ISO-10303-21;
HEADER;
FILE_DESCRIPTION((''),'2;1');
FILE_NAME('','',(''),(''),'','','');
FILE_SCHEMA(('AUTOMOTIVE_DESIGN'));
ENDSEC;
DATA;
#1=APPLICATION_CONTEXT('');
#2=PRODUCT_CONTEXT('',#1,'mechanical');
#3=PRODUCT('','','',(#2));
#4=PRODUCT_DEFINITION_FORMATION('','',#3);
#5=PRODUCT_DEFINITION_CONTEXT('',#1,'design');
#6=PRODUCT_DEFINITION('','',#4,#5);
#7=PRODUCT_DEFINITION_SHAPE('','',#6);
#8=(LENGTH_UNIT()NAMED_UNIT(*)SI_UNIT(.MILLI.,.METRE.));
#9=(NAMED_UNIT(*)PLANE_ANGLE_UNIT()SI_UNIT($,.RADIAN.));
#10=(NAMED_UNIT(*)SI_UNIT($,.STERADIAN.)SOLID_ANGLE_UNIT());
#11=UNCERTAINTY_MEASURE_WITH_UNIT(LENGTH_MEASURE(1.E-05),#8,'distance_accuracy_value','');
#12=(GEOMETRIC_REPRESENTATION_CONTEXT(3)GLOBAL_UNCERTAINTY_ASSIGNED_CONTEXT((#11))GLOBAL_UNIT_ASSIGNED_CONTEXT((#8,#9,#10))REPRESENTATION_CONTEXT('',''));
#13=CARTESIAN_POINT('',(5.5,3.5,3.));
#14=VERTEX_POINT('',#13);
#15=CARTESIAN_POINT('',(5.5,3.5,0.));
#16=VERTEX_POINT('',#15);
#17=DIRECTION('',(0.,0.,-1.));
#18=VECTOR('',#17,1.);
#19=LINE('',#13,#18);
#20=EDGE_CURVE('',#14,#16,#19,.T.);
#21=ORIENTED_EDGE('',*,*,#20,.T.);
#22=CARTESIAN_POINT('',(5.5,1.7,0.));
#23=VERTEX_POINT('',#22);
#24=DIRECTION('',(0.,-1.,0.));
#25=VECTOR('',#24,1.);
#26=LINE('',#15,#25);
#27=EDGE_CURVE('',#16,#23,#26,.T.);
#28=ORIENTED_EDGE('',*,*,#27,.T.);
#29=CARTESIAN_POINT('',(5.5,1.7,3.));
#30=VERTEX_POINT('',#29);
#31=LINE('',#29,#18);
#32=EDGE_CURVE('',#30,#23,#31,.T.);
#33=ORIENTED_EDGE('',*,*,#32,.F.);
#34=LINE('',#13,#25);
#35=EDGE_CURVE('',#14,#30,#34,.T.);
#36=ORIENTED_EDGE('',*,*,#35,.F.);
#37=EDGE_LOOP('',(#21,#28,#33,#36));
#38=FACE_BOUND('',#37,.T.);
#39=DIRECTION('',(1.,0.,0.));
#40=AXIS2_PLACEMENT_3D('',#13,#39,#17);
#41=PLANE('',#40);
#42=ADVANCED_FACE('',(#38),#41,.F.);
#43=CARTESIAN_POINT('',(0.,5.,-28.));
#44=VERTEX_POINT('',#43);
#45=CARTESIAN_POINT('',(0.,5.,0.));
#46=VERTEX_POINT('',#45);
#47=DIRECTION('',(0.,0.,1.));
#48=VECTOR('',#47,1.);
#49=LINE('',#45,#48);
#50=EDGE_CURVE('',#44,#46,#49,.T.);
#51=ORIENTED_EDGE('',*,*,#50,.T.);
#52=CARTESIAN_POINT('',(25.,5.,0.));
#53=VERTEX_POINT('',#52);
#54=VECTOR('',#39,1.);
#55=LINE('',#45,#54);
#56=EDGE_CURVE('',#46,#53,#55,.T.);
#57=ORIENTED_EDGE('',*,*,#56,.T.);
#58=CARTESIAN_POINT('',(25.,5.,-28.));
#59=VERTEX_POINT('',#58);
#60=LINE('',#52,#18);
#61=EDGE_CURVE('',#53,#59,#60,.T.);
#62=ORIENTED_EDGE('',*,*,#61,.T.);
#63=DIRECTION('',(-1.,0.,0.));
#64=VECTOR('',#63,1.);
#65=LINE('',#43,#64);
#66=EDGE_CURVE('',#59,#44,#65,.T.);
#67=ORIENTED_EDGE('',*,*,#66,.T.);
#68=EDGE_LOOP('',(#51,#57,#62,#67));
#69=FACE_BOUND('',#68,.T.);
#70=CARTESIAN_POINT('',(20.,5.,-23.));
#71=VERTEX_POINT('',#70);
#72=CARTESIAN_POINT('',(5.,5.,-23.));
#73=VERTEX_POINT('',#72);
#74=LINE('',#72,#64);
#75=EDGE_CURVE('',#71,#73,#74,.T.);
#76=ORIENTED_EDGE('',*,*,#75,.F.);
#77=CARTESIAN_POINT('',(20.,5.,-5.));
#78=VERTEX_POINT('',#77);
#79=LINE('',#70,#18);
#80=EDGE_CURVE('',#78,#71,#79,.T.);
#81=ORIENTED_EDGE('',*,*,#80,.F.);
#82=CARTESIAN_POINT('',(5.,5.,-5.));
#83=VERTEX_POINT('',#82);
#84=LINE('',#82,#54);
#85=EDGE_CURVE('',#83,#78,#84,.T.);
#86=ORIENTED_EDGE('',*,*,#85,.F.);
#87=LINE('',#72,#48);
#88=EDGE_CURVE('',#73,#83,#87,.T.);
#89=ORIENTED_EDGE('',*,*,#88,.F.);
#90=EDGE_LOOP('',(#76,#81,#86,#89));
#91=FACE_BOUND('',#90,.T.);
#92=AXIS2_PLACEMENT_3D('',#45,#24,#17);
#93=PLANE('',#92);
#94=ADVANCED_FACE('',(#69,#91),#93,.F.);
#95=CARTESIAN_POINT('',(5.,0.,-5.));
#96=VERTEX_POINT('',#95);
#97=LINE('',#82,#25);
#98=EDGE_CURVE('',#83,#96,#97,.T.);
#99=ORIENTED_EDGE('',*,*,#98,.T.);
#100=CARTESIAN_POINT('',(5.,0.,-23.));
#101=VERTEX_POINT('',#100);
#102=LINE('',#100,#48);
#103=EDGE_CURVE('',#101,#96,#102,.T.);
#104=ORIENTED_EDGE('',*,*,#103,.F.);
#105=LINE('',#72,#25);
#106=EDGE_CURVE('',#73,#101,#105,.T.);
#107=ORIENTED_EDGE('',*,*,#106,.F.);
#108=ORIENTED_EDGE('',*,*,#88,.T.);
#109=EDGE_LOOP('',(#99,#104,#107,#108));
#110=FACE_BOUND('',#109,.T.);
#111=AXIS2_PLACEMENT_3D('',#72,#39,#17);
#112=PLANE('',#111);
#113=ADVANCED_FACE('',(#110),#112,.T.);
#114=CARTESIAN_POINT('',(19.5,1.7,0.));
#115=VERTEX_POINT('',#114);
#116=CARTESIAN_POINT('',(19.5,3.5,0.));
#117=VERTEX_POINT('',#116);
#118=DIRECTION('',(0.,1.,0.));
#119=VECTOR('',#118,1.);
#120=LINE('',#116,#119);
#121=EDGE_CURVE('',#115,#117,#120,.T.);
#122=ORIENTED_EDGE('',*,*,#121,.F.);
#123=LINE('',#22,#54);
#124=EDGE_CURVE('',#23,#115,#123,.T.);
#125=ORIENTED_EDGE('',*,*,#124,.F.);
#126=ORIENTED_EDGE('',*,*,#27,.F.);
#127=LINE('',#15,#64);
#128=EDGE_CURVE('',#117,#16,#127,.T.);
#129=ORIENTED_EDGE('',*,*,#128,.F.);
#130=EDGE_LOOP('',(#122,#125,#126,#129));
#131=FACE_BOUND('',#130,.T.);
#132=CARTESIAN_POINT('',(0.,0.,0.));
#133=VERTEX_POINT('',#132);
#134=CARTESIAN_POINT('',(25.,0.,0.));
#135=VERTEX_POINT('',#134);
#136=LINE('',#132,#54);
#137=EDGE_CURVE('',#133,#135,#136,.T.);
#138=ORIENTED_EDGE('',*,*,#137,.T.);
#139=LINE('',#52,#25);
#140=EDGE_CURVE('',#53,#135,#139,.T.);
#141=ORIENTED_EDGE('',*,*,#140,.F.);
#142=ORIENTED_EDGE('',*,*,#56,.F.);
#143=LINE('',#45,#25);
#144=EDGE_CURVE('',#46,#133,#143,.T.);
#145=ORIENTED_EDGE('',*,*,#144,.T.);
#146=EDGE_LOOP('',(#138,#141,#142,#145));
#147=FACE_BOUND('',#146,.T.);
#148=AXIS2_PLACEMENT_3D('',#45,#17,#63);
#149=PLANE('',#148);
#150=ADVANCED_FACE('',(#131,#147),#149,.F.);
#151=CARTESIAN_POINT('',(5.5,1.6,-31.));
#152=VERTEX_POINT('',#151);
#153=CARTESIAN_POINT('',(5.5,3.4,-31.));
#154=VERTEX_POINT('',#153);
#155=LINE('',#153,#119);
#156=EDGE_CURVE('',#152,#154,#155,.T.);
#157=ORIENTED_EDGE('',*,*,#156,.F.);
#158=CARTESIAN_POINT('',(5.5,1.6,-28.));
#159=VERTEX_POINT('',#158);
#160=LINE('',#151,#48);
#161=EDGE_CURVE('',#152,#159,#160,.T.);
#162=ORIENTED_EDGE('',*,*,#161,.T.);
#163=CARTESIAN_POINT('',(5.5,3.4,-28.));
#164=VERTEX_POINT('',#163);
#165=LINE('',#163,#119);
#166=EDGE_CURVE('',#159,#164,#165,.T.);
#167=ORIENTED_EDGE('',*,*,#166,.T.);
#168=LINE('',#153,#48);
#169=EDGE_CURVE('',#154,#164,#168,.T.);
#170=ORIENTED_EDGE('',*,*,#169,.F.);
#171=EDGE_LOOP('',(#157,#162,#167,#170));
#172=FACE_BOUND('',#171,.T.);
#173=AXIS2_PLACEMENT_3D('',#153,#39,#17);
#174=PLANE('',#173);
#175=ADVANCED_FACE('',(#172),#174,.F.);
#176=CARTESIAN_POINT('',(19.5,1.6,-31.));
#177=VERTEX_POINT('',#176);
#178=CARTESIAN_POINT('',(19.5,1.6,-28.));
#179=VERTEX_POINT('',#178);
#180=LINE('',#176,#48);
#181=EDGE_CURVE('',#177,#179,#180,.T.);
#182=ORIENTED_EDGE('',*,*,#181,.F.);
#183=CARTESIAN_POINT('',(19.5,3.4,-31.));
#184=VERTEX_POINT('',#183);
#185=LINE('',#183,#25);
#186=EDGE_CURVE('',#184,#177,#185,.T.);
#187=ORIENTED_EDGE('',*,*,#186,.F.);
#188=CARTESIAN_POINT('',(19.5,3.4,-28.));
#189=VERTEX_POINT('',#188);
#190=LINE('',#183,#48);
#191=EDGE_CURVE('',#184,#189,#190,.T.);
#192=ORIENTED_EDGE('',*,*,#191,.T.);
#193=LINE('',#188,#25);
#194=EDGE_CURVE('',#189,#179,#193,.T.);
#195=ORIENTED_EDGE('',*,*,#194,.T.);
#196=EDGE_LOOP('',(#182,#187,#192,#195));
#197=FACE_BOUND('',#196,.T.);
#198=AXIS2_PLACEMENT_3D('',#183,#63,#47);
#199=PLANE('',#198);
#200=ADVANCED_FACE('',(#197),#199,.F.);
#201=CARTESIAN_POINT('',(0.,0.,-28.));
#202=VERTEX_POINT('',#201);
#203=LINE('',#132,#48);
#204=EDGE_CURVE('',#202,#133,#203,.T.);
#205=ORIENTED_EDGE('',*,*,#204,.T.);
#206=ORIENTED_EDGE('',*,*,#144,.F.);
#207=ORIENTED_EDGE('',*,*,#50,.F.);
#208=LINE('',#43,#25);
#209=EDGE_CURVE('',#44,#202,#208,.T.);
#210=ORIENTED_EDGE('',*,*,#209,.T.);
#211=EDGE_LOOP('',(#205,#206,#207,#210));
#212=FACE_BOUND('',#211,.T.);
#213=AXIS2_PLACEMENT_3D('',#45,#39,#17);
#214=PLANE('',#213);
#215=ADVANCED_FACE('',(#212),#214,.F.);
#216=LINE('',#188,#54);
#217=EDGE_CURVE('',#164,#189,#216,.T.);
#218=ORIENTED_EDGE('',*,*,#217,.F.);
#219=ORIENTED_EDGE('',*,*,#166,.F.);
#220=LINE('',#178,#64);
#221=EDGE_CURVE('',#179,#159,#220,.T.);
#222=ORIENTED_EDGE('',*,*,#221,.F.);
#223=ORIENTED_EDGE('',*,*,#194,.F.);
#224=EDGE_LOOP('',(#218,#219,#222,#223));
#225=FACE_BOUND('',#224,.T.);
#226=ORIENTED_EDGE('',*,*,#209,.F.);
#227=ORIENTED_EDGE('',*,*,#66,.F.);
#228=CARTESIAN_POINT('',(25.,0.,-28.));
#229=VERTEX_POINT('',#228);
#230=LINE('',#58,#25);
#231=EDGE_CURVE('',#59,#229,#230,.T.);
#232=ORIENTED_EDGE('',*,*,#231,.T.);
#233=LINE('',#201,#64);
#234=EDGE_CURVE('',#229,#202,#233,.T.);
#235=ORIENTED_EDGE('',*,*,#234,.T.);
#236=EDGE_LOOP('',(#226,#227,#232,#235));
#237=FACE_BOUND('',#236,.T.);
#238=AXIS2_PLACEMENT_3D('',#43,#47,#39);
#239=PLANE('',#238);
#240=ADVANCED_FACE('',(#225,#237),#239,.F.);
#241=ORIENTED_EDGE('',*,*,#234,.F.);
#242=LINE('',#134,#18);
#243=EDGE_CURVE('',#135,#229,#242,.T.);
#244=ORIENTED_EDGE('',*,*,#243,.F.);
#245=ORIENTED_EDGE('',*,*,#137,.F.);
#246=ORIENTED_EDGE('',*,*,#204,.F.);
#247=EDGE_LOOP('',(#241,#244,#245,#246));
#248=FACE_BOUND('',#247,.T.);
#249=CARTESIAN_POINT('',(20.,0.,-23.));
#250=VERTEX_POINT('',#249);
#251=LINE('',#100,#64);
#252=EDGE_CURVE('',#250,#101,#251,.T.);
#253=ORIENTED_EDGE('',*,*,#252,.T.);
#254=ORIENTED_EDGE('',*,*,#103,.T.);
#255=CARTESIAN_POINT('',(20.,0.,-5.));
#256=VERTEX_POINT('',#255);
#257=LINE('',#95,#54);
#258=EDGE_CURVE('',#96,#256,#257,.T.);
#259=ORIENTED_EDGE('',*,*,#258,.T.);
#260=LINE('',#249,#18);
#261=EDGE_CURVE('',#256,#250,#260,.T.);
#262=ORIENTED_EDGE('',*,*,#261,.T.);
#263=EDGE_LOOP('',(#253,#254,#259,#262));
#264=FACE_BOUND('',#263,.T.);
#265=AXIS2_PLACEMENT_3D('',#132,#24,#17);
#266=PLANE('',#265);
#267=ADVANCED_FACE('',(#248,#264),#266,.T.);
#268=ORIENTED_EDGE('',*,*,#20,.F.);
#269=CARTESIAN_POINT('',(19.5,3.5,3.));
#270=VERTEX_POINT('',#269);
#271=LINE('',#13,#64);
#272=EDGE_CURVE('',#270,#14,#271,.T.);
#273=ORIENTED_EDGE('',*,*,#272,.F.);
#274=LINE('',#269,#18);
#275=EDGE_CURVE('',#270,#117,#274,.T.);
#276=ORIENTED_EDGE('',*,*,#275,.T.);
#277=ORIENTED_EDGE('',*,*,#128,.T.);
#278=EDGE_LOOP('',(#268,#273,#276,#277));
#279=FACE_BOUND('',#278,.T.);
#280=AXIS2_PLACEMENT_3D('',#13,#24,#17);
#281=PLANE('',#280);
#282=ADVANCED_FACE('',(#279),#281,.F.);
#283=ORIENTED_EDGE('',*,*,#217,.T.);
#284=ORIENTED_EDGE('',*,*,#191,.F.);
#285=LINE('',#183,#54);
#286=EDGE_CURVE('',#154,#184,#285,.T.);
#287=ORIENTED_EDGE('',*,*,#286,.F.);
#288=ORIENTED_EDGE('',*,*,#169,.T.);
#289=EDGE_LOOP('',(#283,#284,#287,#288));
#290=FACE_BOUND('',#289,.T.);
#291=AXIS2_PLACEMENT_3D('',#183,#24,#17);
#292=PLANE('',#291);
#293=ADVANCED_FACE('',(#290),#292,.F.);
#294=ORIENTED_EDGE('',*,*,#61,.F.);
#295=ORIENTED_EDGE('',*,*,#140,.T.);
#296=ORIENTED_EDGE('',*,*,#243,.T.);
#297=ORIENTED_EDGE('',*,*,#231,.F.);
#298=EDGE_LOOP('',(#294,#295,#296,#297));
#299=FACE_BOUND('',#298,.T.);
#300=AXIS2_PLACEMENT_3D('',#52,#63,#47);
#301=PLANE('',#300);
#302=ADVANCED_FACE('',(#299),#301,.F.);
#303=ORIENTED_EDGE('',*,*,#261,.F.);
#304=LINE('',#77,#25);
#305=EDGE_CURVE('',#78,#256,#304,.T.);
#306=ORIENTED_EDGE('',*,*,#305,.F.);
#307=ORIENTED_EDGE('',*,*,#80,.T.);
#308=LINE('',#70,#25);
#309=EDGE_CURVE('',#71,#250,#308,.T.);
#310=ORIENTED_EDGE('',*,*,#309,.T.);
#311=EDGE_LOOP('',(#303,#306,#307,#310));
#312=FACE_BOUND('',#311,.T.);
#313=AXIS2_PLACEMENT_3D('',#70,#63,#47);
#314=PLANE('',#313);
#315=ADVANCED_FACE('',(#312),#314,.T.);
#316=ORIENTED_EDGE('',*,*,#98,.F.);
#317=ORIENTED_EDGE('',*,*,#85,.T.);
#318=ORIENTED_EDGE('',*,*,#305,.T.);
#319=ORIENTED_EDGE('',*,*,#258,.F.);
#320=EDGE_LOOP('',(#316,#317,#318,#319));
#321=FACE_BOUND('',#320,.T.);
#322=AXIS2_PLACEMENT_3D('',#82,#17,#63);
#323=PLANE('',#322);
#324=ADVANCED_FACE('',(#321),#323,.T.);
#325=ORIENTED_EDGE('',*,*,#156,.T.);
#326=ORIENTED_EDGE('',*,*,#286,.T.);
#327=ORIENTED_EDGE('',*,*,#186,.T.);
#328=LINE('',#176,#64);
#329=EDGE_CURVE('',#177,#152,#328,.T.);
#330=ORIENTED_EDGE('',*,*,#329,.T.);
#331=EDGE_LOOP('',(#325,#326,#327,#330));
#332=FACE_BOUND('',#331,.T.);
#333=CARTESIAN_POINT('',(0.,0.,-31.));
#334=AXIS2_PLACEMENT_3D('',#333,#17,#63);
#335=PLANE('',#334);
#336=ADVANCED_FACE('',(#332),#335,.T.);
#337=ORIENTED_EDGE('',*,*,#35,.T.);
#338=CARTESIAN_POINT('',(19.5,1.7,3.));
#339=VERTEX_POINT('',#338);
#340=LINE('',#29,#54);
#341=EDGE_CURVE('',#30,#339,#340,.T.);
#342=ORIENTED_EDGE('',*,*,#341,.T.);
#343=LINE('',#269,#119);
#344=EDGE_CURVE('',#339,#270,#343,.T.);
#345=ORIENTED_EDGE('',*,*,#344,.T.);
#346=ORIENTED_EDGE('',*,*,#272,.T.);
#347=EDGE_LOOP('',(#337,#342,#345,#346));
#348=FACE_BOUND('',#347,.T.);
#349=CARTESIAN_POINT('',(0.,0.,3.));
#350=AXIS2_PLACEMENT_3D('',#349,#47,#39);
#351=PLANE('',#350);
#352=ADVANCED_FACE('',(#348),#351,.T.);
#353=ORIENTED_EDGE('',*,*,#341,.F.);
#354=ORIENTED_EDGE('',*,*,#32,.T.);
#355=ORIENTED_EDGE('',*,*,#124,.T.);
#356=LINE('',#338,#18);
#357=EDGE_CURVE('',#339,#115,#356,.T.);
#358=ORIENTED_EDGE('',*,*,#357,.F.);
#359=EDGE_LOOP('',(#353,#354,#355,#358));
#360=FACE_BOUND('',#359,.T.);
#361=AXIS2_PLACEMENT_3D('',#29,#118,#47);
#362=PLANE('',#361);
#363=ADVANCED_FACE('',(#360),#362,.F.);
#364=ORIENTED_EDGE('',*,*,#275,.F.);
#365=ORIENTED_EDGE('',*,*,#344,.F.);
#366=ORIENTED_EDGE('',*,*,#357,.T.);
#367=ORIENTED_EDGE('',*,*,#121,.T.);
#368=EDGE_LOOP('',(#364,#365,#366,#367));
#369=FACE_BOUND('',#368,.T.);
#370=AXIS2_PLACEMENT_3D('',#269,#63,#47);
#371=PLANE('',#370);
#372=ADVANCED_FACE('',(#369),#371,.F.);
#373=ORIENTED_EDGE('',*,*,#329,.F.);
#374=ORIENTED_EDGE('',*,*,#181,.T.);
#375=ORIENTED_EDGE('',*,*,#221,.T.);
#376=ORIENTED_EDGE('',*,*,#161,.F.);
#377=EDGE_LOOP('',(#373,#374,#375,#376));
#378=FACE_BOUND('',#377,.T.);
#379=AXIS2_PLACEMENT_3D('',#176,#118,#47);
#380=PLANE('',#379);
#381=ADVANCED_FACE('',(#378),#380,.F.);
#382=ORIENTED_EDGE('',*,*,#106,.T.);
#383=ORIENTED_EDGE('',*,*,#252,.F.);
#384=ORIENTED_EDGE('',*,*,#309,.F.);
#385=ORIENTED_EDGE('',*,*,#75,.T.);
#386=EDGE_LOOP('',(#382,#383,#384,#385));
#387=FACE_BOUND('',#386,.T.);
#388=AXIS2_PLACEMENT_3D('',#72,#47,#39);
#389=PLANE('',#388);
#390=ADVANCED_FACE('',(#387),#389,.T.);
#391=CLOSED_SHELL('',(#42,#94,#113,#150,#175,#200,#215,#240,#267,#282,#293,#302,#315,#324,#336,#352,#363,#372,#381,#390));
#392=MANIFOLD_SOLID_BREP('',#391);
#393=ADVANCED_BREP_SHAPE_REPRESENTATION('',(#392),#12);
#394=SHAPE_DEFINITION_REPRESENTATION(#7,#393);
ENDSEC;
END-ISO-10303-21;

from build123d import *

# Parameters (mm, degrees)
SKETCH1_W           = 25
SKETCH1_H           = 28
SKETCH1_W_2         = 15
SKETCH1_H_2         = 18
BOSS_EXTRUDE1_DEPTH = 5
SKETCH2_W           = 14
SKETCH2_H           = 1.8
BOSS_EXTRUDE2_DEPTH = 3
SKETCH3_W           = 14
SKETCH3_H           = 1.8
BOSS_EXTRUDE3_DEPTH = 3


with BuildPart() as part:
    # Sketch1 → Boss-Extrude1 (new body)
    with BuildSketch(Plane(origin=(0, 0, 0), x_dir=(1, 0, 0), z_dir=(0, 1, 0))):
        with Locations((12.5, 14)):
            Rectangle(SKETCH1_W, SKETCH1_H)
        with Locations((12.5, 14)):
            Rectangle(SKETCH1_W_2, SKETCH1_H_2, mode=Mode.SUBTRACT)
    extrude(amount=BOSS_EXTRUDE1_DEPTH)

    # Sketch2 → Boss-Extrude2 (add)
    with BuildSketch(Plane.XY):
        with Locations((12.5, 2.6)):
            Rectangle(SKETCH2_W, SKETCH2_H)
    extrude(amount=BOSS_EXTRUDE2_DEPTH)

    # Sketch3 → Boss-Extrude3 (add)
    with BuildSketch(Plane(origin=(0, 0, -28), x_dir=(-1, 0, 0), z_dir=(0, 0, -1))):
        with Locations((-12.5, 2.5)):
            Rectangle(SKETCH3_W, SKETCH3_H)
    extrude(amount=BOSS_EXTRUDE3_DEPTH)


solid = part.part
